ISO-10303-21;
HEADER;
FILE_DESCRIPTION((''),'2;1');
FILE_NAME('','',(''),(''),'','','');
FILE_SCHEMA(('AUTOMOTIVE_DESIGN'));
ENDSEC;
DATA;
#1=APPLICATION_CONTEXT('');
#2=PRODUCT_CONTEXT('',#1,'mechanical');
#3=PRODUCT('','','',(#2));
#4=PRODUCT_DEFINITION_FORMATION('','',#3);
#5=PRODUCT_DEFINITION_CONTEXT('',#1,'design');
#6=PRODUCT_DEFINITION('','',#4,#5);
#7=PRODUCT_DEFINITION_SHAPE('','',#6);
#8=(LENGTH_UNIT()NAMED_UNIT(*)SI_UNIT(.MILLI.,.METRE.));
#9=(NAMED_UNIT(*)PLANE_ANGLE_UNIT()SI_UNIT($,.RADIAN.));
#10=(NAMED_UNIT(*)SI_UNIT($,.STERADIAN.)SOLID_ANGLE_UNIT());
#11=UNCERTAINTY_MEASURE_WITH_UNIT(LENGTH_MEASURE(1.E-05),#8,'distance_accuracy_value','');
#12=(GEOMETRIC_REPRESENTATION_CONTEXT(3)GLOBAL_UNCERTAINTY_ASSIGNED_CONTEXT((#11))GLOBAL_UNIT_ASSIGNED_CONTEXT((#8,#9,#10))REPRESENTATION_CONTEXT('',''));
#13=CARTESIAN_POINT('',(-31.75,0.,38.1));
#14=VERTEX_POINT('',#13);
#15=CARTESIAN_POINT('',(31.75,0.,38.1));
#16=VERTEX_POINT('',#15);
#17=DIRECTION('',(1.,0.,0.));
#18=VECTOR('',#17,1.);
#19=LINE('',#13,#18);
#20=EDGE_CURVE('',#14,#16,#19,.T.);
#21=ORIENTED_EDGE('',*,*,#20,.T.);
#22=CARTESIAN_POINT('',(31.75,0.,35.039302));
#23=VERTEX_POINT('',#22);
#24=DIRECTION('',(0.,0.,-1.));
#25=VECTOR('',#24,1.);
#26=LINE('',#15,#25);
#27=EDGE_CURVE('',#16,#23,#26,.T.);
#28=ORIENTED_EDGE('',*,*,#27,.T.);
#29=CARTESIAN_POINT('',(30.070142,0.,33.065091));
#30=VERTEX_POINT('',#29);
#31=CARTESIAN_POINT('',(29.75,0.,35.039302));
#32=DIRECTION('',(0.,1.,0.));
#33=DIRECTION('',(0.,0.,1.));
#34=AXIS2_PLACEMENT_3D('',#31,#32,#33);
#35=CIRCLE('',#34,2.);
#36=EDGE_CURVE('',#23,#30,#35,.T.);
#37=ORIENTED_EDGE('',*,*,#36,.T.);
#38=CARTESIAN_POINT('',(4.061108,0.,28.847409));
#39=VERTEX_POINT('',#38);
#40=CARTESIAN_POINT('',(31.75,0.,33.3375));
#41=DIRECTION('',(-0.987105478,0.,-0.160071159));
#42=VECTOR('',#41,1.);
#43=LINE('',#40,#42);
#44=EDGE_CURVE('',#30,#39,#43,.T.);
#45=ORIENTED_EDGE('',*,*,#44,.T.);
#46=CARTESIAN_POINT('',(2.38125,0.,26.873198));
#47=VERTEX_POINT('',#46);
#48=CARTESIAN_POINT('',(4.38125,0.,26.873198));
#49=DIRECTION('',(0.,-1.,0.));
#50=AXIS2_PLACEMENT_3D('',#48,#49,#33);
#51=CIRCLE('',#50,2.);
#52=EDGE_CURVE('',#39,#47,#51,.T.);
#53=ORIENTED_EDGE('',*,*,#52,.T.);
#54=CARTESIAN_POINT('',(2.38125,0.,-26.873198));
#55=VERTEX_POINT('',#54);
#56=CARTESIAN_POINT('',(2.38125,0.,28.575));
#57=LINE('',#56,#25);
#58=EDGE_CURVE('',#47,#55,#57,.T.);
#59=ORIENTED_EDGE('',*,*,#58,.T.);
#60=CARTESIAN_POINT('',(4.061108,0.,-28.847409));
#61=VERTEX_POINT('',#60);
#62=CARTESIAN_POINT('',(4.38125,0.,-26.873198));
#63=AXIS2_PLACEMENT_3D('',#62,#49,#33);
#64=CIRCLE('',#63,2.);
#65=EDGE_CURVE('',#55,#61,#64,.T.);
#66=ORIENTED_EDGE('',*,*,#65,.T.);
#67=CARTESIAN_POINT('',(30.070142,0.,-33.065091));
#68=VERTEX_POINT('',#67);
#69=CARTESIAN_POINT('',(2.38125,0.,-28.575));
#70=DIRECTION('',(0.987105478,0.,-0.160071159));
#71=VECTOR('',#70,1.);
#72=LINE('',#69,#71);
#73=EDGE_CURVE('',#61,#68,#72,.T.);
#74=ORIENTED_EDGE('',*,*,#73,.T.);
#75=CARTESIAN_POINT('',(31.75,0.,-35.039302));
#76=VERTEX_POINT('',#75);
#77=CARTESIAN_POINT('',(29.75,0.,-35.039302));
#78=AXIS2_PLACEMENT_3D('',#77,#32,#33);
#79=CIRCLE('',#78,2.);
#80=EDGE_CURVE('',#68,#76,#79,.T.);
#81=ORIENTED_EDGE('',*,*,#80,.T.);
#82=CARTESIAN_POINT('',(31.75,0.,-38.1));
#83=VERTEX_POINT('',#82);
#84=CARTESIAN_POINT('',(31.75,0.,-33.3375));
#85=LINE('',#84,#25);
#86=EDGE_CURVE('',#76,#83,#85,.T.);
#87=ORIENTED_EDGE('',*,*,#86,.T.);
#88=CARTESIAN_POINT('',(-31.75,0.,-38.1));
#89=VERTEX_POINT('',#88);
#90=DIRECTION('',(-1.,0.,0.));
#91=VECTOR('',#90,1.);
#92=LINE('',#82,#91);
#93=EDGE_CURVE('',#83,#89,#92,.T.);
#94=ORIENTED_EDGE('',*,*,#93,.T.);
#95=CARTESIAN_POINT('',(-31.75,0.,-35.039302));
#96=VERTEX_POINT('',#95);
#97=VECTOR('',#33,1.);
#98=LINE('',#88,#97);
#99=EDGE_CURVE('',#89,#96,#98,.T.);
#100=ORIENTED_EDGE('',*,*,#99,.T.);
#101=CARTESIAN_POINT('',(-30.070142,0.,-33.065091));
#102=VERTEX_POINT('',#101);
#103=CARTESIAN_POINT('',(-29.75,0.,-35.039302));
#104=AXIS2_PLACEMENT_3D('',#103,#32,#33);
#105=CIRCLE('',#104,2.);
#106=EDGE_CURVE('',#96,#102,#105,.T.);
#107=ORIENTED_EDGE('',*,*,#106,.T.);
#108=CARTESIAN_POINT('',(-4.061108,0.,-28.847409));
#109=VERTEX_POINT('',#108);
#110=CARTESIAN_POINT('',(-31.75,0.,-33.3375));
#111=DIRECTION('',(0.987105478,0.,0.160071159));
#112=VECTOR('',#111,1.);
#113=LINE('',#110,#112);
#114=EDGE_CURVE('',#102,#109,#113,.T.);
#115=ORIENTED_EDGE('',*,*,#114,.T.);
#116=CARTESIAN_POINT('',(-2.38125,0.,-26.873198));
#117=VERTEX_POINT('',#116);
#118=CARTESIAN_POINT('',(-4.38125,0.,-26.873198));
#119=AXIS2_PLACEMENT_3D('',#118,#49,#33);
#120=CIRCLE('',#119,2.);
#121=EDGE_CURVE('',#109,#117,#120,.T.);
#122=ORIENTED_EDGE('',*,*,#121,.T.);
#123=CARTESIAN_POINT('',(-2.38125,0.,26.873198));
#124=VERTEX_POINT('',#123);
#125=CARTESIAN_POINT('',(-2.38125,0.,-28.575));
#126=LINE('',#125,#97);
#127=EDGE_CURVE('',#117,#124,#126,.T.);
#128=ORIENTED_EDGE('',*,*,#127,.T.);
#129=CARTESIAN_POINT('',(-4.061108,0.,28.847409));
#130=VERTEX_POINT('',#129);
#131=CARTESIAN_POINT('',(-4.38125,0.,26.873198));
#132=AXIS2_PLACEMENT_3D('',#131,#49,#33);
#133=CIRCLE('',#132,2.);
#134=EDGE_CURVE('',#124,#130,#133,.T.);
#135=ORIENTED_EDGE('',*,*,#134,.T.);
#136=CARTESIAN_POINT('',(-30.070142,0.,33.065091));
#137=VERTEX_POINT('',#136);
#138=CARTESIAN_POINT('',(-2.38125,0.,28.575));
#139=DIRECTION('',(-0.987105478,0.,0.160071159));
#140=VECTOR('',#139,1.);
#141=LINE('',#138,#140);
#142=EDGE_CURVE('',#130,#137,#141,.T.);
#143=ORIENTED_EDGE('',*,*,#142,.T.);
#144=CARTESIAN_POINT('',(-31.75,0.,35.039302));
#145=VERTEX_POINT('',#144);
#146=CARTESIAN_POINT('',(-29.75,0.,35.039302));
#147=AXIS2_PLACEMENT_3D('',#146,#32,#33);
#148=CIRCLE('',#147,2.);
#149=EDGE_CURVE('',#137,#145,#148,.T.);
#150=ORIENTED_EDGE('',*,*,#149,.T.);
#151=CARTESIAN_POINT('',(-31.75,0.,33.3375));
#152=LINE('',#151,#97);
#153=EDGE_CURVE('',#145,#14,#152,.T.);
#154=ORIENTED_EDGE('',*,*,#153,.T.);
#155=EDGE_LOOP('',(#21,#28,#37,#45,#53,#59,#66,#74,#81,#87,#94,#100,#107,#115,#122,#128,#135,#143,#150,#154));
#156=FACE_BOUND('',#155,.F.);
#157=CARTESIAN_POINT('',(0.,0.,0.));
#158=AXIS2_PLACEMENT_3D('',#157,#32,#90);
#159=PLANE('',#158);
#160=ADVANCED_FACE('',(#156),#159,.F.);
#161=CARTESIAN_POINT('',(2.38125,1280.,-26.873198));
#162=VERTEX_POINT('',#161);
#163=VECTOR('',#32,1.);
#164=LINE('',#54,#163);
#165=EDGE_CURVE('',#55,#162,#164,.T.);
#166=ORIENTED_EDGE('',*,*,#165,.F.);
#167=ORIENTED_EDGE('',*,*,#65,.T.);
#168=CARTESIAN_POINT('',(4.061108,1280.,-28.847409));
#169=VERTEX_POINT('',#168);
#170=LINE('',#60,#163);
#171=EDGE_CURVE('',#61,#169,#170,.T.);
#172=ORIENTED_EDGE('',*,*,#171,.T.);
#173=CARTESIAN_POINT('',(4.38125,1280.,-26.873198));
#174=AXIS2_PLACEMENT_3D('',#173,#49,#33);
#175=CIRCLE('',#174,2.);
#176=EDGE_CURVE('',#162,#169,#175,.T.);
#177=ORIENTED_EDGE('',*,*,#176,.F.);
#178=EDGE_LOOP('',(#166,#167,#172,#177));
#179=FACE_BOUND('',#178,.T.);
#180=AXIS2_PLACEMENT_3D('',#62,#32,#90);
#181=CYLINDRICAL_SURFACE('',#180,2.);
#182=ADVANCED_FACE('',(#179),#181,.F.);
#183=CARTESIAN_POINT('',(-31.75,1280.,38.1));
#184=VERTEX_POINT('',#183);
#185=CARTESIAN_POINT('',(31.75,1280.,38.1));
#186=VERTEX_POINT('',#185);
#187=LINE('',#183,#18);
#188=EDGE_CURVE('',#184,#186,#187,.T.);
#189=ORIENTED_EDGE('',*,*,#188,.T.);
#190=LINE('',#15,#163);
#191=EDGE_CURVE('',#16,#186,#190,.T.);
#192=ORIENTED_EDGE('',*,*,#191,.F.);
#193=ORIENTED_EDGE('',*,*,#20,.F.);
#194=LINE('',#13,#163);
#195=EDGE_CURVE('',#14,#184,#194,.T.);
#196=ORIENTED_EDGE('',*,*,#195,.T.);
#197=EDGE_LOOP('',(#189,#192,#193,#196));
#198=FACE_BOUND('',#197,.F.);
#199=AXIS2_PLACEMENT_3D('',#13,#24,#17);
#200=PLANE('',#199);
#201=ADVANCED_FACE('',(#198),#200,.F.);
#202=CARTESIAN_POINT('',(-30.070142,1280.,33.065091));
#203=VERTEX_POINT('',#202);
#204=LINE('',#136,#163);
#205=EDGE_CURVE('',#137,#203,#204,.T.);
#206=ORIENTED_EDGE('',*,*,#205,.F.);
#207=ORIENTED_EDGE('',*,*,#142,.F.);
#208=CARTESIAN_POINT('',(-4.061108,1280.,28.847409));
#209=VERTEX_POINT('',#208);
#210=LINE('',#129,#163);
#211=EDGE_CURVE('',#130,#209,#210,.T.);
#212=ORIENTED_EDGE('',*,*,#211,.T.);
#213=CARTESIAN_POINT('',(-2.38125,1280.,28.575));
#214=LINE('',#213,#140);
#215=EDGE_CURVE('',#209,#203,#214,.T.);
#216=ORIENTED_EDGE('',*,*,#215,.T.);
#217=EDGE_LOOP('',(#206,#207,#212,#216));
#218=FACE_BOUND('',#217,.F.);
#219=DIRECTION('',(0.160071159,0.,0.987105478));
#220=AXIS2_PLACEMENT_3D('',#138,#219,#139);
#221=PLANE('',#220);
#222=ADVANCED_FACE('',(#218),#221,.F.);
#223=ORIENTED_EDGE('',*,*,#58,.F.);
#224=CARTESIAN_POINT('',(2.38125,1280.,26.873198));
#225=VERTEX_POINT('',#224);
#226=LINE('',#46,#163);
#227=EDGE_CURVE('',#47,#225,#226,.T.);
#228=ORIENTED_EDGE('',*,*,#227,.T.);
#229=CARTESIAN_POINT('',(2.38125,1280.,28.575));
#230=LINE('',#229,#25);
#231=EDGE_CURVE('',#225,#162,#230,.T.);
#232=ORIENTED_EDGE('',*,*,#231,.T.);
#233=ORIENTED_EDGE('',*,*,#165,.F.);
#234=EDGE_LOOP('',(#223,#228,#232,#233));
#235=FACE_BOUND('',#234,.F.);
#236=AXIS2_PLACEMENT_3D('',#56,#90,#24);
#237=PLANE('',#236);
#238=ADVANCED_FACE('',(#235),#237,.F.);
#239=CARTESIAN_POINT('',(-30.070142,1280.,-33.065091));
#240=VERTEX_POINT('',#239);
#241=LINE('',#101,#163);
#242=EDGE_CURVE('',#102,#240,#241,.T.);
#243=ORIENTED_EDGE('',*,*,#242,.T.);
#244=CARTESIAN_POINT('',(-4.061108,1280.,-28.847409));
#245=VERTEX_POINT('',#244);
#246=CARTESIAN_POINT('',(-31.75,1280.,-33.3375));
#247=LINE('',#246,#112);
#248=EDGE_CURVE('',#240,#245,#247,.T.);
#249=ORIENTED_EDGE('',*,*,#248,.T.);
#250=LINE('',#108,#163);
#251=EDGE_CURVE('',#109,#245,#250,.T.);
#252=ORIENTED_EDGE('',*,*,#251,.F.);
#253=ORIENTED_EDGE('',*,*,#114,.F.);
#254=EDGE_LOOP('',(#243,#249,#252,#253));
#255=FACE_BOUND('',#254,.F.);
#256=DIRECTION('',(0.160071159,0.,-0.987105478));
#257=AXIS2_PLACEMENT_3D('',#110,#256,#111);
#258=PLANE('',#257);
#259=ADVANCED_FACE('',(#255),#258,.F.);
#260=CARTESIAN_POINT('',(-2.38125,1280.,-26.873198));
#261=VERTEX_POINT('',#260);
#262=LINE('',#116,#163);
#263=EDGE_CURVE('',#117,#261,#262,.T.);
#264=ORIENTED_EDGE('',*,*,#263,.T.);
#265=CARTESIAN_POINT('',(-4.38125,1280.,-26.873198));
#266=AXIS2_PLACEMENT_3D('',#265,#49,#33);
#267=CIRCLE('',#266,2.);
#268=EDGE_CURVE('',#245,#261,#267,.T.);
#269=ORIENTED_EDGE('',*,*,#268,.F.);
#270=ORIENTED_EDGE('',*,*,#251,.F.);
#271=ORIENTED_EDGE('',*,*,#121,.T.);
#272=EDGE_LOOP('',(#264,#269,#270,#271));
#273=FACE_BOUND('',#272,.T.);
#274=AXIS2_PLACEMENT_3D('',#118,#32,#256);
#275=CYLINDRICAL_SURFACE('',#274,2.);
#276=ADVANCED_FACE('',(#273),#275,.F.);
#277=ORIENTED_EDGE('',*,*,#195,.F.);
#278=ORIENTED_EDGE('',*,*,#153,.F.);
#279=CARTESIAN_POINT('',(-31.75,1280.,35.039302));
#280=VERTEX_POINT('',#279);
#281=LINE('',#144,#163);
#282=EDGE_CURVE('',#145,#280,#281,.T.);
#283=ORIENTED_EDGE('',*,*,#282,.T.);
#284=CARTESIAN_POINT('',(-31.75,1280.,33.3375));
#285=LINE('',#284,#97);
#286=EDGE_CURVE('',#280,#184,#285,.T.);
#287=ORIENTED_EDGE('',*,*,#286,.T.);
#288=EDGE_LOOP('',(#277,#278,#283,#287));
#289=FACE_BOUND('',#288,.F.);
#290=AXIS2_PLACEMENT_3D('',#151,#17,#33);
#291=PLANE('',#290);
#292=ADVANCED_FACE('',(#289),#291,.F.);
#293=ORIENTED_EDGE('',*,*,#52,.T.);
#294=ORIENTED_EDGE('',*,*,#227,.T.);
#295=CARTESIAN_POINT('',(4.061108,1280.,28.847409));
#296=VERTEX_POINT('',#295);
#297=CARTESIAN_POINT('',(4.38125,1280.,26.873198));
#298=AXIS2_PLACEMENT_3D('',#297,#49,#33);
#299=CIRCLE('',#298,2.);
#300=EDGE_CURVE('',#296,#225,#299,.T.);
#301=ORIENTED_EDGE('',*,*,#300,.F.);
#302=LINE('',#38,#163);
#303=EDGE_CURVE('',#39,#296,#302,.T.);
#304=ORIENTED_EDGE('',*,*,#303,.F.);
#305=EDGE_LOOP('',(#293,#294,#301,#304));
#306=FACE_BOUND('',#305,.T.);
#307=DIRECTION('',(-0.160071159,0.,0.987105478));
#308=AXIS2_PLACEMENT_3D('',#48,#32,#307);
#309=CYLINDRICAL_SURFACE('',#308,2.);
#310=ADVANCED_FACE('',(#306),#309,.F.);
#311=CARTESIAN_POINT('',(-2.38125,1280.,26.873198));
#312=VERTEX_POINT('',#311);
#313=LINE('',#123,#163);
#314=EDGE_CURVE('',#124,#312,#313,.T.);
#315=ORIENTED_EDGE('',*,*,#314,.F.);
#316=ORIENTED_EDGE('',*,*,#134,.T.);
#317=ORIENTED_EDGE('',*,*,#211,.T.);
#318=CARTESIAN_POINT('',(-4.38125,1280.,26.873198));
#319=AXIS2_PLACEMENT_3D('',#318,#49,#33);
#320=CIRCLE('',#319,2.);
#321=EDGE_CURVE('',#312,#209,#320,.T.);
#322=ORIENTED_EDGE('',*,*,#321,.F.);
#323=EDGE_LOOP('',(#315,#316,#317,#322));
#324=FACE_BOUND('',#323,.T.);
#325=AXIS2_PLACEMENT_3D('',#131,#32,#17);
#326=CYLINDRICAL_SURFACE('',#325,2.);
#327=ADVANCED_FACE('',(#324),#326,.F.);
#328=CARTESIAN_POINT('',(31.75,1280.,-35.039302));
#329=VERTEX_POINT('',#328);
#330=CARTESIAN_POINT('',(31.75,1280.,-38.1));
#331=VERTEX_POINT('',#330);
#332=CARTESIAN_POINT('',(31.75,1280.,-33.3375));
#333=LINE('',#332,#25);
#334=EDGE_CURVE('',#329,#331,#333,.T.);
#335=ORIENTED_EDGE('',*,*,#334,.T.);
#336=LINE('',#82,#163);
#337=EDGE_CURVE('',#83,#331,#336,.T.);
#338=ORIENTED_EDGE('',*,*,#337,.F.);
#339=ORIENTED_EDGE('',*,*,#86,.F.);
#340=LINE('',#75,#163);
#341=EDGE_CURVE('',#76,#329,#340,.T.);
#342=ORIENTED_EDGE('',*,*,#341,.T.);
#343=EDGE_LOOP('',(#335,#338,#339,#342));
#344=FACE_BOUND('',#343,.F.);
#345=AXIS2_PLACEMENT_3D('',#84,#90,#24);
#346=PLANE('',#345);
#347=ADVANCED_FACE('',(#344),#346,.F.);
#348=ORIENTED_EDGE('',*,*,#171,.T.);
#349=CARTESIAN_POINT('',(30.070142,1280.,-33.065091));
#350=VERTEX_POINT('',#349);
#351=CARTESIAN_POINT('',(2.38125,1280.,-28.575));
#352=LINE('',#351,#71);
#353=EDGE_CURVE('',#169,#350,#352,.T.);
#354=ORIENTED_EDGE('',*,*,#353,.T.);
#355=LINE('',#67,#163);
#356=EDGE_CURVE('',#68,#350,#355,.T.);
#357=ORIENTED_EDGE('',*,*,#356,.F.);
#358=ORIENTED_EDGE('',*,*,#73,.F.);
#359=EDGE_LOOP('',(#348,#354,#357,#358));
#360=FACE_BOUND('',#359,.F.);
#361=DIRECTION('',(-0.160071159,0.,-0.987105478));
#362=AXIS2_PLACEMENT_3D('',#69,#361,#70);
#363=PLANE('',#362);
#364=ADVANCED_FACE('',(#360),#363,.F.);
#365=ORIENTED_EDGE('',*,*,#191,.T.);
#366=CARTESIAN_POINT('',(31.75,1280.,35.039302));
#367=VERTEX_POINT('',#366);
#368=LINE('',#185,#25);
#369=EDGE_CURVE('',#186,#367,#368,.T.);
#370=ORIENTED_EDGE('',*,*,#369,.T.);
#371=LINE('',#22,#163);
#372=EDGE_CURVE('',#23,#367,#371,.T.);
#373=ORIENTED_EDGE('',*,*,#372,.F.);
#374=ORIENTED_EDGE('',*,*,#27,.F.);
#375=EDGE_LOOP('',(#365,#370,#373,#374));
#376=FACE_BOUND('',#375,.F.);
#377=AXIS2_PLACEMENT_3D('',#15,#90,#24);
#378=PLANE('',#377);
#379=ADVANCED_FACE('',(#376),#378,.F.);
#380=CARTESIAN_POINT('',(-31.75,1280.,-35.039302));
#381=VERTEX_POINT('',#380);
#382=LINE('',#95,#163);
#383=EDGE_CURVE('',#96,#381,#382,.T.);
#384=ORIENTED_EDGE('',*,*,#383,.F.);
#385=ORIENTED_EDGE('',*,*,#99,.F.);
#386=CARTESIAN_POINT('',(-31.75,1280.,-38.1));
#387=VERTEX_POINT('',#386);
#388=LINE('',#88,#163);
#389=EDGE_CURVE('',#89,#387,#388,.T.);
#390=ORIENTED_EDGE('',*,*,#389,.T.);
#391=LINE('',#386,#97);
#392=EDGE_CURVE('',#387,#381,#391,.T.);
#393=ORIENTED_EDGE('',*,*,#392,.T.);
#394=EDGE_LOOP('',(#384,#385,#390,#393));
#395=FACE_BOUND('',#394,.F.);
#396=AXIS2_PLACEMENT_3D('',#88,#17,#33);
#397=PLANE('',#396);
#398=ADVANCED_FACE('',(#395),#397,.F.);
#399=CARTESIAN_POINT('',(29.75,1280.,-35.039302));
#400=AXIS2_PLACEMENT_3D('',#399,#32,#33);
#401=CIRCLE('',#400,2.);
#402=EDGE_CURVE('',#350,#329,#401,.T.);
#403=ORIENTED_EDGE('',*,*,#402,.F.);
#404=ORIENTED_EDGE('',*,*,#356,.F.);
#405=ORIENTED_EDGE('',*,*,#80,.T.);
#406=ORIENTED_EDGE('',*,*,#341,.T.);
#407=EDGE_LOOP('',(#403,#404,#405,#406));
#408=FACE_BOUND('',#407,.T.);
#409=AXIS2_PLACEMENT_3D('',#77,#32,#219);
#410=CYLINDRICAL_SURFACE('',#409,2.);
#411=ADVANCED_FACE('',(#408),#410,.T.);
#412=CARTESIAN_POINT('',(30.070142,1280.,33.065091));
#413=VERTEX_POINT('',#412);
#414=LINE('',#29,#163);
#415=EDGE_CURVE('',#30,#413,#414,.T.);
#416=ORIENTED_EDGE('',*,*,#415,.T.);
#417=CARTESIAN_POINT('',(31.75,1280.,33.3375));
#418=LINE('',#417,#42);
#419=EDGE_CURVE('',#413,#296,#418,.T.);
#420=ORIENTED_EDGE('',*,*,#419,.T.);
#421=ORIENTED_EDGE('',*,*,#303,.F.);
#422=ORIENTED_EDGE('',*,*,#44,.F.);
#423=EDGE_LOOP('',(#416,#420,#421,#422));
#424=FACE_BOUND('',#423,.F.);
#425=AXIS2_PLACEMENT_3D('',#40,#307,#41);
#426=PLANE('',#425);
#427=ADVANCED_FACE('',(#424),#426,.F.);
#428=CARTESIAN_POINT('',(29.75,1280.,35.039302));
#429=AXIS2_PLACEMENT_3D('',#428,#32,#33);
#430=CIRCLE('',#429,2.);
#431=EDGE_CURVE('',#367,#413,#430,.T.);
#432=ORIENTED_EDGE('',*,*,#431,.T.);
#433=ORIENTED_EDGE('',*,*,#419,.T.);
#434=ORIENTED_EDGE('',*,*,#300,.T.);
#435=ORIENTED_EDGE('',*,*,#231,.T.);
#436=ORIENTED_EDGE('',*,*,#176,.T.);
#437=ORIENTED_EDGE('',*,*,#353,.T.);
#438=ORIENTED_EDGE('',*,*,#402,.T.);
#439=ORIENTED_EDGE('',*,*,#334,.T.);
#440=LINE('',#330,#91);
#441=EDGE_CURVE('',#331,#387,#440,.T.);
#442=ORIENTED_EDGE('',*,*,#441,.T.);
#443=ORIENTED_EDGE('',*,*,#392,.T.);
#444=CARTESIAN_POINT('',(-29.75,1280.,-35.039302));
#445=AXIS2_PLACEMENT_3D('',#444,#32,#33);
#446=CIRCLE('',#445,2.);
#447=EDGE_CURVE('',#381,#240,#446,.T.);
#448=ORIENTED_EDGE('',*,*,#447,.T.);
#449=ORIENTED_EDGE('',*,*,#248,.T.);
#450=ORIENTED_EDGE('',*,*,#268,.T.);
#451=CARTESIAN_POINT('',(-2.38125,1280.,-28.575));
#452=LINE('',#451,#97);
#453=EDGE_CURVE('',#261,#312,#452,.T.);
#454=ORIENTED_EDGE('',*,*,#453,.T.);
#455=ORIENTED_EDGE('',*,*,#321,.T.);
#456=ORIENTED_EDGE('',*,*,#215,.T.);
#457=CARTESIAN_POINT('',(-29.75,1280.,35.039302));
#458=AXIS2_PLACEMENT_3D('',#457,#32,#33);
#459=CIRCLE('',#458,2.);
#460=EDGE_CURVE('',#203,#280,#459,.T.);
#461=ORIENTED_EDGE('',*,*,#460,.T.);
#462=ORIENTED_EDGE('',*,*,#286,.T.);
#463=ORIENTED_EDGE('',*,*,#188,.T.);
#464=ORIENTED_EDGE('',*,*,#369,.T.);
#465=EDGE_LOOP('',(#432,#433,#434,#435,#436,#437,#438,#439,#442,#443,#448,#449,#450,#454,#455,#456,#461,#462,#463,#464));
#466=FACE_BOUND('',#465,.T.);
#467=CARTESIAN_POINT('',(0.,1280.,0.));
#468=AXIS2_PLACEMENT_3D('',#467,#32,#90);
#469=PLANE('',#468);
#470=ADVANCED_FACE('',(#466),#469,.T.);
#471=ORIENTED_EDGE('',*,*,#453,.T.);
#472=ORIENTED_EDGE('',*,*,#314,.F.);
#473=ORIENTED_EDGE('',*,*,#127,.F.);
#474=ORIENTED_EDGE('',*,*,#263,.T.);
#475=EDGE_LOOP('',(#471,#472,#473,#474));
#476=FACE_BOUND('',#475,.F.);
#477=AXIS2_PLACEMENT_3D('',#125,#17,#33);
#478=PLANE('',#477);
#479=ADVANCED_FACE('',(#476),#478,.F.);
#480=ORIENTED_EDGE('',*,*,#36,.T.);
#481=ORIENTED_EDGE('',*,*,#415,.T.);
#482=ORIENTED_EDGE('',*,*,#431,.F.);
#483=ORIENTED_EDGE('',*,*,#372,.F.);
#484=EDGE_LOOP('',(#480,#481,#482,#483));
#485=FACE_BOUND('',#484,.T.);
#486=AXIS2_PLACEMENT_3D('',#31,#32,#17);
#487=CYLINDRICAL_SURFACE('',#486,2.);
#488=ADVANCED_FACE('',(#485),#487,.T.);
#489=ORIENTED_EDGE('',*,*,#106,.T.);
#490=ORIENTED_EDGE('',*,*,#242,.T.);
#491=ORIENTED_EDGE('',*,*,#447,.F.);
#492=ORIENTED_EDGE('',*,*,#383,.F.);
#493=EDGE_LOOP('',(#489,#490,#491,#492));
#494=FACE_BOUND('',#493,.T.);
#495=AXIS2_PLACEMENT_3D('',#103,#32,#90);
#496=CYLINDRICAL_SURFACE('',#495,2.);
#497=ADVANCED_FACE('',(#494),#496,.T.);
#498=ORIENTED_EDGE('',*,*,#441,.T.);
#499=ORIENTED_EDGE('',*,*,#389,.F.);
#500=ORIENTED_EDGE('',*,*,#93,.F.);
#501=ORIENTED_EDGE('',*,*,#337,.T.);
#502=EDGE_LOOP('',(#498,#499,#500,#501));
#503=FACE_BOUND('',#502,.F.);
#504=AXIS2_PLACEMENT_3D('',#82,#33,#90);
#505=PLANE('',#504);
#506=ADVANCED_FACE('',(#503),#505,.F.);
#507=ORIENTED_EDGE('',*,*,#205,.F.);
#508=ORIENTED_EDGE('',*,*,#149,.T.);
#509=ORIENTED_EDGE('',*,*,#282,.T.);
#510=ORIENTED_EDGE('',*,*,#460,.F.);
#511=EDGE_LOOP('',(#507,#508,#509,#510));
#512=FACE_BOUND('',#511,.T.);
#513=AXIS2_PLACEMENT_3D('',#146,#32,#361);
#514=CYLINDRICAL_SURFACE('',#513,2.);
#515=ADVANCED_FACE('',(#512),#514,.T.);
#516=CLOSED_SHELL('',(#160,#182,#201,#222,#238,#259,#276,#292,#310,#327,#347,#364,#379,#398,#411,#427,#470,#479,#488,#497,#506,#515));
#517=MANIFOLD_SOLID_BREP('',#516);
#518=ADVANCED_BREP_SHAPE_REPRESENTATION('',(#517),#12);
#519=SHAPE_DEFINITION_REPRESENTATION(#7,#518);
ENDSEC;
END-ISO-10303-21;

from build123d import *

# Parameters (mm, degrees)
EXTRUDE_DEPTH = 1280
FILLET_R      = 2


with BuildPart() as part:
    # Sketch → Extrude (new body)
    with BuildSketch(Plane.XZ):
        Polygon((-31.75, 38.1), (31.75, 38.1), (31.75, 33.3375), (2.38125, 28.575), (2.38125, -28.575), (31.75, -33.3375), (31.75, -38.1), (-31.75, -38.1), (-31.75, -33.3375), (-2.38125, -28.575), (-2.38125, 28.575), (-31.75, 33.3375), align=None)
    extrude(amount=-EXTRUDE_DEPTH)

    # Fillet
    fillet_edges = [part.edges().sort_by_distance(p)[0] for p in [
        (31.75, 640, 33.3375),
        (2.38125, 640, 28.575),
        (2.38125, 640, -28.575),
        (31.75, 640, -33.3375),
        (-31.75, 640, -33.3375),
        (-2.38125, 640, -28.575),
        (-2.38125, 640, 28.575),
        (-31.75, 640, 33.3375),
    ]]
    fillet(fillet_edges, radius=FILLET_R)


solid = part.part
